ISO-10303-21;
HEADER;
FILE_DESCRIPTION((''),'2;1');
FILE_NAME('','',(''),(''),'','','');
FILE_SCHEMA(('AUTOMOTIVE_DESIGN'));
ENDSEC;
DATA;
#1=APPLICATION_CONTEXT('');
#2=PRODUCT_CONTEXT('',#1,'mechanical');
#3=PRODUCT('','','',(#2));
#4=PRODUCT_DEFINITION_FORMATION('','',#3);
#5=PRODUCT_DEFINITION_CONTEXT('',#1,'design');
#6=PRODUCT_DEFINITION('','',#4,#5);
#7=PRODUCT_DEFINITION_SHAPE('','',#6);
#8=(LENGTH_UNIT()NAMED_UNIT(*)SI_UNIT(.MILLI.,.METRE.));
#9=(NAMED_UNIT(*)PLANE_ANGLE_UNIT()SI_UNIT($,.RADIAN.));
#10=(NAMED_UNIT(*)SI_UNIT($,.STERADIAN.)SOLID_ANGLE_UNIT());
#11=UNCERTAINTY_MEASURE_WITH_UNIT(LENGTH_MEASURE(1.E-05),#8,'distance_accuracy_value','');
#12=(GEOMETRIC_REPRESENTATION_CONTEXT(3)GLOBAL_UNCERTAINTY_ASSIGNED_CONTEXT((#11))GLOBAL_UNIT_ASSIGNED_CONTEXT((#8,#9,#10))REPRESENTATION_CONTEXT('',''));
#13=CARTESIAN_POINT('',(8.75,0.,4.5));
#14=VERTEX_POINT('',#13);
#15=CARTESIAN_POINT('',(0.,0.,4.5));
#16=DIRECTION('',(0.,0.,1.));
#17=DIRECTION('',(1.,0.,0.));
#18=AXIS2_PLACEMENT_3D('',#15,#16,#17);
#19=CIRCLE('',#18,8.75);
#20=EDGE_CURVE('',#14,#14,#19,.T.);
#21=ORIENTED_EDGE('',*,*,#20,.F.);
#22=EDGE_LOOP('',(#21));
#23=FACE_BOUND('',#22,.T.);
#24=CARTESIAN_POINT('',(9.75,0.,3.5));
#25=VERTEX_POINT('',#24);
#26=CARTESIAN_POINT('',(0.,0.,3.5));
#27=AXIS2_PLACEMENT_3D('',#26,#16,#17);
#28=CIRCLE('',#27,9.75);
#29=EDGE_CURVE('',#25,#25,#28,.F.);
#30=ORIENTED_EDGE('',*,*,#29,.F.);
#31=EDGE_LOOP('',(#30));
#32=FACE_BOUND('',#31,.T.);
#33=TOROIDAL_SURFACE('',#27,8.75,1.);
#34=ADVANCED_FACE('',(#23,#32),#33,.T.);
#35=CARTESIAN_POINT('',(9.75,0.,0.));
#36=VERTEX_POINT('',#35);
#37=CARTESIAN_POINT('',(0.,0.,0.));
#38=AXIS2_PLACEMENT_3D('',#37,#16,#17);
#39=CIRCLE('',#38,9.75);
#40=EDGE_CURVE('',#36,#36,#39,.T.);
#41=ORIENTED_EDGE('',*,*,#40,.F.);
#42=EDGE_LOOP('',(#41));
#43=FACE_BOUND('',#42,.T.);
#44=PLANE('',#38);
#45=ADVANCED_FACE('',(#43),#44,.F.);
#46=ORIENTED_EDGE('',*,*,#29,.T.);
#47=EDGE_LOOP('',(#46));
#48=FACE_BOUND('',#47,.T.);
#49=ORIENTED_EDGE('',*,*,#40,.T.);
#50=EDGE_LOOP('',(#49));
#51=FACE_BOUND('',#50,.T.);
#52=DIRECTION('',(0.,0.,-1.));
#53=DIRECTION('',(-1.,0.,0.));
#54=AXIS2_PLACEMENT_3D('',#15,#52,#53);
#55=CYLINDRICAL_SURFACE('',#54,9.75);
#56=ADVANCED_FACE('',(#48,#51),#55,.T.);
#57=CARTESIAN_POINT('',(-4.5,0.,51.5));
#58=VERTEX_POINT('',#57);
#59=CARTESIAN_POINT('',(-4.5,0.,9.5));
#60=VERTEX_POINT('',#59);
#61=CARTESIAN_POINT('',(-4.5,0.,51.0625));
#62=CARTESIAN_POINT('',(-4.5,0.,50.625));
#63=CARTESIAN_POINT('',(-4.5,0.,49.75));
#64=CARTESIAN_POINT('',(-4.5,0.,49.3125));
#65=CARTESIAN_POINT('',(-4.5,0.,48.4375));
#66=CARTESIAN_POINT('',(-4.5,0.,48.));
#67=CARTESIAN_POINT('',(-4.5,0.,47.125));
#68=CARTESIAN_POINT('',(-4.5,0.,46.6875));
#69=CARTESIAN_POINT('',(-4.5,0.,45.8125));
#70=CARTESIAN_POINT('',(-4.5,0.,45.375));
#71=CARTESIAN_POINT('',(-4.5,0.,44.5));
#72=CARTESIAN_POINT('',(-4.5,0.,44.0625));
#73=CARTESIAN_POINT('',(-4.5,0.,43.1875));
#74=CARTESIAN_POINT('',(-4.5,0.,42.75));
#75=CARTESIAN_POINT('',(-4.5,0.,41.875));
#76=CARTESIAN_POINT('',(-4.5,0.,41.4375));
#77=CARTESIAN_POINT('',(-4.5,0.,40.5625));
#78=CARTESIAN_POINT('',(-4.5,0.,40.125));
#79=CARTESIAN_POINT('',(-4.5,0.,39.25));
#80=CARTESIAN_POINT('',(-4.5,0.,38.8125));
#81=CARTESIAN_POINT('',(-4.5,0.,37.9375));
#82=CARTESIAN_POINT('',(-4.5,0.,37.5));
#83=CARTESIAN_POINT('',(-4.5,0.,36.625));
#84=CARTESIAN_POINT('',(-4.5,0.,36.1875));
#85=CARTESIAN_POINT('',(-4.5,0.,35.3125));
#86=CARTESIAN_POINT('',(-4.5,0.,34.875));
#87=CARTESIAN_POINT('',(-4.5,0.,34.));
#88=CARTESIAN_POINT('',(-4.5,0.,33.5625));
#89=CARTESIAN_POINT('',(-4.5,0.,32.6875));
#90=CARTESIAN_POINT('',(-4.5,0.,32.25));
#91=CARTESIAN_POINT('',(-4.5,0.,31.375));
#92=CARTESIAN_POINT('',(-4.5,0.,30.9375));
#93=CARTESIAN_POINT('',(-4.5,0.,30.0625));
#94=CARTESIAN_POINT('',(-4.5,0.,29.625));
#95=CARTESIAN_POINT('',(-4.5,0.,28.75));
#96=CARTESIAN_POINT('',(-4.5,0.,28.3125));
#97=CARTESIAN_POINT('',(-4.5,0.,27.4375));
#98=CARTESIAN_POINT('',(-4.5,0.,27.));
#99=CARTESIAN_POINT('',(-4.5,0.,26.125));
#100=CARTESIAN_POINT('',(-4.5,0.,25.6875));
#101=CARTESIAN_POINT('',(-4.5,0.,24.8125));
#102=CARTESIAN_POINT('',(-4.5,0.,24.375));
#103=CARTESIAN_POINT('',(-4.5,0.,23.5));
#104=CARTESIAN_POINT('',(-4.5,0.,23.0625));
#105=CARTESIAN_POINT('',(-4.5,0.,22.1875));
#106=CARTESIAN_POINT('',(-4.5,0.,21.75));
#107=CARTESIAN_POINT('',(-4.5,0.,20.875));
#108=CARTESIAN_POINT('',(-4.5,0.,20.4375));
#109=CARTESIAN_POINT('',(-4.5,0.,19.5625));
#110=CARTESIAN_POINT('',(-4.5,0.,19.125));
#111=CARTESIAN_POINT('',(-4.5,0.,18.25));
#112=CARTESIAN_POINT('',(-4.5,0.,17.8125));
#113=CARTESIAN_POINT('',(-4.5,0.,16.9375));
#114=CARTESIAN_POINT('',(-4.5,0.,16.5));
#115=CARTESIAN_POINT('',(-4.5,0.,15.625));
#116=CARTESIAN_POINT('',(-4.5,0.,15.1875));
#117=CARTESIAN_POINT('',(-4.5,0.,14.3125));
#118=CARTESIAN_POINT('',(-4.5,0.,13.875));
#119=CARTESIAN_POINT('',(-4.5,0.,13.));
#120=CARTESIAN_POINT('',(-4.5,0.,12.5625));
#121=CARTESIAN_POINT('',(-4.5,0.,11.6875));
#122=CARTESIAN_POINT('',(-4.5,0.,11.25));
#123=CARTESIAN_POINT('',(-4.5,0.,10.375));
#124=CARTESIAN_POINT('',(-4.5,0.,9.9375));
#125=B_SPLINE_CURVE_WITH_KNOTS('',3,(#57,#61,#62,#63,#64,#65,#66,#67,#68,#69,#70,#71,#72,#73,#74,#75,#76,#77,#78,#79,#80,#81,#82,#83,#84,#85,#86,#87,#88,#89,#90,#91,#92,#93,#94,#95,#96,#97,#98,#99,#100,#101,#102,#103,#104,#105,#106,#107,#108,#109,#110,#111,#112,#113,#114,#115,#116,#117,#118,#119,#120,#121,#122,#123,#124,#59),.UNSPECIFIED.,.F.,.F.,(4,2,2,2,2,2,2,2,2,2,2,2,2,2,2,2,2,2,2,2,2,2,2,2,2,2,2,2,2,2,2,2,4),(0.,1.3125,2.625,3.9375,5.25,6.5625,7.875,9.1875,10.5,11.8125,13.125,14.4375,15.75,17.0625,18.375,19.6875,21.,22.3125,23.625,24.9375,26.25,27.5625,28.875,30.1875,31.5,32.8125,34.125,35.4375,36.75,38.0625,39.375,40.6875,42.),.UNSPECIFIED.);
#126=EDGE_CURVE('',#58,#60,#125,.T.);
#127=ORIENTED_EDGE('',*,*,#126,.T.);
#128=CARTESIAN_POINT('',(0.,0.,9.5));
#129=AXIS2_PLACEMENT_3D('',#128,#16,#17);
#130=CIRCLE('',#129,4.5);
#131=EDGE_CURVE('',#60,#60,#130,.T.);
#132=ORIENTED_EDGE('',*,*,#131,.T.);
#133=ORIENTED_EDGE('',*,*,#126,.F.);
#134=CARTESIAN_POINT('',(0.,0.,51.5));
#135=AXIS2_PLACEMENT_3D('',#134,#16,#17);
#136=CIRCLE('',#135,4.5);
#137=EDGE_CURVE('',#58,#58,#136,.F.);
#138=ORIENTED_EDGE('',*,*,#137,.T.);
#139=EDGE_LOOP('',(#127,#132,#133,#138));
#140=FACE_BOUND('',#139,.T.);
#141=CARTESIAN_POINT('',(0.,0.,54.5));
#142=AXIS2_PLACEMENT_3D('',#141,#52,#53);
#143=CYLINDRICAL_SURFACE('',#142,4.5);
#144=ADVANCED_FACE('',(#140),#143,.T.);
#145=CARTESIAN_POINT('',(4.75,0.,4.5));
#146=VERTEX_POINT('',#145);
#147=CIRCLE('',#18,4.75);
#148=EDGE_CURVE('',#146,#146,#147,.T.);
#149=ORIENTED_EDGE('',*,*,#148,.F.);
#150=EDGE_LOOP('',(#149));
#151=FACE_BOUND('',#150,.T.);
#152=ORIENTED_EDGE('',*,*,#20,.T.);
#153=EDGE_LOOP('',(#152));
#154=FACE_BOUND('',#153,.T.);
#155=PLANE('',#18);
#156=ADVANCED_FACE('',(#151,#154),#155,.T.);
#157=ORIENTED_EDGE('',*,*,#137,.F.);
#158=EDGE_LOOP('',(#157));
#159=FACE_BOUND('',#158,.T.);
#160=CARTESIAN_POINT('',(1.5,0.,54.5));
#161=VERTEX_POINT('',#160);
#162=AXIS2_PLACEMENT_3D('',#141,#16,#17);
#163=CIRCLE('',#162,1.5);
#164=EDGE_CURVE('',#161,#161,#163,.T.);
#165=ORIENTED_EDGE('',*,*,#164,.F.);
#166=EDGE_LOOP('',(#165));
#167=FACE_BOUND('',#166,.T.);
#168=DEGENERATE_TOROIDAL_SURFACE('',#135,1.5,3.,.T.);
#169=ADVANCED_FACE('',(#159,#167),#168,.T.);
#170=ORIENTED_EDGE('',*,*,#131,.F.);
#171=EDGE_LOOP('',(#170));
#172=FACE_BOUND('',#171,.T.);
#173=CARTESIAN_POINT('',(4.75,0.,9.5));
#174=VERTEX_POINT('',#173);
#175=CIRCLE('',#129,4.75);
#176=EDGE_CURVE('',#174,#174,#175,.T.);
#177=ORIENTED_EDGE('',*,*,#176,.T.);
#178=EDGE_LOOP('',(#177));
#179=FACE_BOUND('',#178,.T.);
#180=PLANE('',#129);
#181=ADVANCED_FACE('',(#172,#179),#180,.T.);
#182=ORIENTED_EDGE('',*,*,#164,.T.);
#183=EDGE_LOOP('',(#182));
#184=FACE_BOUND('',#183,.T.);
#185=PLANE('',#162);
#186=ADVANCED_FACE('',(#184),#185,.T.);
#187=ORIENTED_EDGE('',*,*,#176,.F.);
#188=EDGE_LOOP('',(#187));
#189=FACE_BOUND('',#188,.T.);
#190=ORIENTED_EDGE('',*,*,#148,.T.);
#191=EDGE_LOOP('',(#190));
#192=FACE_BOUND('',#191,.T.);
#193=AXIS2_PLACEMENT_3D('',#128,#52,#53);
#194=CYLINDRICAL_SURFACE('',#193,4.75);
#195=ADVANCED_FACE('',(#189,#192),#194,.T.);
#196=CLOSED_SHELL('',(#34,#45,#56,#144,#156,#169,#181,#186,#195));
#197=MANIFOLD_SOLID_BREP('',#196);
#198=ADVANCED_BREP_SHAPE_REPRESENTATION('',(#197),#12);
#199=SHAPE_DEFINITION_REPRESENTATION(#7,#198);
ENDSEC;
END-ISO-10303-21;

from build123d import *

# Parameters (mm, degrees)
SKETCH1_R           = 9.75
BOSS_EXTRUDE1_DEPTH = 4.5
SKETCH2_R           = 4.75
BOSS_EXTRUDE2_DEPTH = 5
SKETCH3_R           = 4.5
BOSS_EXTRUDE3_DEPTH = 45
FILLET3_R           = 3
FILLET4_R           = 1


with BuildPart() as part:
    # Sketch1 → Boss-Extrude1 (new body)
    with BuildSketch(Plane.XY):
        Circle(SKETCH1_R)
    extrude(amount=BOSS_EXTRUDE1_DEPTH)

    # Sketch2 → Boss-Extrude2 (add)
    with BuildSketch(Plane.XY.offset(4.5)):
        Circle(SKETCH2_R)
    extrude(amount=BOSS_EXTRUDE2_DEPTH)

    # Sketch3 → Boss-Extrude3 (add)
    with BuildSketch(Plane.XY.offset(9.5)):
        with Locations(Location((0, 0, 0), (0, 0, 180))):
            Circle(SKETCH3_R)
    extrude(amount=BOSS_EXTRUDE3_DEPTH)

    # Fillet3
    fillet3_edges = [part.edges().sort_by_distance(p)[0] for p in [
        (4.5, 0, 54.5),
    ]]
    fillet(fillet3_edges, radius=FILLET3_R)

    # Fillet4
    fillet4_edges = [part.edges().sort_by_distance(p)[0] for p in [
        (-9.75, 0, 4.5),
    ]]
    fillet(fillet4_edges, radius=FILLET4_R)


solid = part.part
